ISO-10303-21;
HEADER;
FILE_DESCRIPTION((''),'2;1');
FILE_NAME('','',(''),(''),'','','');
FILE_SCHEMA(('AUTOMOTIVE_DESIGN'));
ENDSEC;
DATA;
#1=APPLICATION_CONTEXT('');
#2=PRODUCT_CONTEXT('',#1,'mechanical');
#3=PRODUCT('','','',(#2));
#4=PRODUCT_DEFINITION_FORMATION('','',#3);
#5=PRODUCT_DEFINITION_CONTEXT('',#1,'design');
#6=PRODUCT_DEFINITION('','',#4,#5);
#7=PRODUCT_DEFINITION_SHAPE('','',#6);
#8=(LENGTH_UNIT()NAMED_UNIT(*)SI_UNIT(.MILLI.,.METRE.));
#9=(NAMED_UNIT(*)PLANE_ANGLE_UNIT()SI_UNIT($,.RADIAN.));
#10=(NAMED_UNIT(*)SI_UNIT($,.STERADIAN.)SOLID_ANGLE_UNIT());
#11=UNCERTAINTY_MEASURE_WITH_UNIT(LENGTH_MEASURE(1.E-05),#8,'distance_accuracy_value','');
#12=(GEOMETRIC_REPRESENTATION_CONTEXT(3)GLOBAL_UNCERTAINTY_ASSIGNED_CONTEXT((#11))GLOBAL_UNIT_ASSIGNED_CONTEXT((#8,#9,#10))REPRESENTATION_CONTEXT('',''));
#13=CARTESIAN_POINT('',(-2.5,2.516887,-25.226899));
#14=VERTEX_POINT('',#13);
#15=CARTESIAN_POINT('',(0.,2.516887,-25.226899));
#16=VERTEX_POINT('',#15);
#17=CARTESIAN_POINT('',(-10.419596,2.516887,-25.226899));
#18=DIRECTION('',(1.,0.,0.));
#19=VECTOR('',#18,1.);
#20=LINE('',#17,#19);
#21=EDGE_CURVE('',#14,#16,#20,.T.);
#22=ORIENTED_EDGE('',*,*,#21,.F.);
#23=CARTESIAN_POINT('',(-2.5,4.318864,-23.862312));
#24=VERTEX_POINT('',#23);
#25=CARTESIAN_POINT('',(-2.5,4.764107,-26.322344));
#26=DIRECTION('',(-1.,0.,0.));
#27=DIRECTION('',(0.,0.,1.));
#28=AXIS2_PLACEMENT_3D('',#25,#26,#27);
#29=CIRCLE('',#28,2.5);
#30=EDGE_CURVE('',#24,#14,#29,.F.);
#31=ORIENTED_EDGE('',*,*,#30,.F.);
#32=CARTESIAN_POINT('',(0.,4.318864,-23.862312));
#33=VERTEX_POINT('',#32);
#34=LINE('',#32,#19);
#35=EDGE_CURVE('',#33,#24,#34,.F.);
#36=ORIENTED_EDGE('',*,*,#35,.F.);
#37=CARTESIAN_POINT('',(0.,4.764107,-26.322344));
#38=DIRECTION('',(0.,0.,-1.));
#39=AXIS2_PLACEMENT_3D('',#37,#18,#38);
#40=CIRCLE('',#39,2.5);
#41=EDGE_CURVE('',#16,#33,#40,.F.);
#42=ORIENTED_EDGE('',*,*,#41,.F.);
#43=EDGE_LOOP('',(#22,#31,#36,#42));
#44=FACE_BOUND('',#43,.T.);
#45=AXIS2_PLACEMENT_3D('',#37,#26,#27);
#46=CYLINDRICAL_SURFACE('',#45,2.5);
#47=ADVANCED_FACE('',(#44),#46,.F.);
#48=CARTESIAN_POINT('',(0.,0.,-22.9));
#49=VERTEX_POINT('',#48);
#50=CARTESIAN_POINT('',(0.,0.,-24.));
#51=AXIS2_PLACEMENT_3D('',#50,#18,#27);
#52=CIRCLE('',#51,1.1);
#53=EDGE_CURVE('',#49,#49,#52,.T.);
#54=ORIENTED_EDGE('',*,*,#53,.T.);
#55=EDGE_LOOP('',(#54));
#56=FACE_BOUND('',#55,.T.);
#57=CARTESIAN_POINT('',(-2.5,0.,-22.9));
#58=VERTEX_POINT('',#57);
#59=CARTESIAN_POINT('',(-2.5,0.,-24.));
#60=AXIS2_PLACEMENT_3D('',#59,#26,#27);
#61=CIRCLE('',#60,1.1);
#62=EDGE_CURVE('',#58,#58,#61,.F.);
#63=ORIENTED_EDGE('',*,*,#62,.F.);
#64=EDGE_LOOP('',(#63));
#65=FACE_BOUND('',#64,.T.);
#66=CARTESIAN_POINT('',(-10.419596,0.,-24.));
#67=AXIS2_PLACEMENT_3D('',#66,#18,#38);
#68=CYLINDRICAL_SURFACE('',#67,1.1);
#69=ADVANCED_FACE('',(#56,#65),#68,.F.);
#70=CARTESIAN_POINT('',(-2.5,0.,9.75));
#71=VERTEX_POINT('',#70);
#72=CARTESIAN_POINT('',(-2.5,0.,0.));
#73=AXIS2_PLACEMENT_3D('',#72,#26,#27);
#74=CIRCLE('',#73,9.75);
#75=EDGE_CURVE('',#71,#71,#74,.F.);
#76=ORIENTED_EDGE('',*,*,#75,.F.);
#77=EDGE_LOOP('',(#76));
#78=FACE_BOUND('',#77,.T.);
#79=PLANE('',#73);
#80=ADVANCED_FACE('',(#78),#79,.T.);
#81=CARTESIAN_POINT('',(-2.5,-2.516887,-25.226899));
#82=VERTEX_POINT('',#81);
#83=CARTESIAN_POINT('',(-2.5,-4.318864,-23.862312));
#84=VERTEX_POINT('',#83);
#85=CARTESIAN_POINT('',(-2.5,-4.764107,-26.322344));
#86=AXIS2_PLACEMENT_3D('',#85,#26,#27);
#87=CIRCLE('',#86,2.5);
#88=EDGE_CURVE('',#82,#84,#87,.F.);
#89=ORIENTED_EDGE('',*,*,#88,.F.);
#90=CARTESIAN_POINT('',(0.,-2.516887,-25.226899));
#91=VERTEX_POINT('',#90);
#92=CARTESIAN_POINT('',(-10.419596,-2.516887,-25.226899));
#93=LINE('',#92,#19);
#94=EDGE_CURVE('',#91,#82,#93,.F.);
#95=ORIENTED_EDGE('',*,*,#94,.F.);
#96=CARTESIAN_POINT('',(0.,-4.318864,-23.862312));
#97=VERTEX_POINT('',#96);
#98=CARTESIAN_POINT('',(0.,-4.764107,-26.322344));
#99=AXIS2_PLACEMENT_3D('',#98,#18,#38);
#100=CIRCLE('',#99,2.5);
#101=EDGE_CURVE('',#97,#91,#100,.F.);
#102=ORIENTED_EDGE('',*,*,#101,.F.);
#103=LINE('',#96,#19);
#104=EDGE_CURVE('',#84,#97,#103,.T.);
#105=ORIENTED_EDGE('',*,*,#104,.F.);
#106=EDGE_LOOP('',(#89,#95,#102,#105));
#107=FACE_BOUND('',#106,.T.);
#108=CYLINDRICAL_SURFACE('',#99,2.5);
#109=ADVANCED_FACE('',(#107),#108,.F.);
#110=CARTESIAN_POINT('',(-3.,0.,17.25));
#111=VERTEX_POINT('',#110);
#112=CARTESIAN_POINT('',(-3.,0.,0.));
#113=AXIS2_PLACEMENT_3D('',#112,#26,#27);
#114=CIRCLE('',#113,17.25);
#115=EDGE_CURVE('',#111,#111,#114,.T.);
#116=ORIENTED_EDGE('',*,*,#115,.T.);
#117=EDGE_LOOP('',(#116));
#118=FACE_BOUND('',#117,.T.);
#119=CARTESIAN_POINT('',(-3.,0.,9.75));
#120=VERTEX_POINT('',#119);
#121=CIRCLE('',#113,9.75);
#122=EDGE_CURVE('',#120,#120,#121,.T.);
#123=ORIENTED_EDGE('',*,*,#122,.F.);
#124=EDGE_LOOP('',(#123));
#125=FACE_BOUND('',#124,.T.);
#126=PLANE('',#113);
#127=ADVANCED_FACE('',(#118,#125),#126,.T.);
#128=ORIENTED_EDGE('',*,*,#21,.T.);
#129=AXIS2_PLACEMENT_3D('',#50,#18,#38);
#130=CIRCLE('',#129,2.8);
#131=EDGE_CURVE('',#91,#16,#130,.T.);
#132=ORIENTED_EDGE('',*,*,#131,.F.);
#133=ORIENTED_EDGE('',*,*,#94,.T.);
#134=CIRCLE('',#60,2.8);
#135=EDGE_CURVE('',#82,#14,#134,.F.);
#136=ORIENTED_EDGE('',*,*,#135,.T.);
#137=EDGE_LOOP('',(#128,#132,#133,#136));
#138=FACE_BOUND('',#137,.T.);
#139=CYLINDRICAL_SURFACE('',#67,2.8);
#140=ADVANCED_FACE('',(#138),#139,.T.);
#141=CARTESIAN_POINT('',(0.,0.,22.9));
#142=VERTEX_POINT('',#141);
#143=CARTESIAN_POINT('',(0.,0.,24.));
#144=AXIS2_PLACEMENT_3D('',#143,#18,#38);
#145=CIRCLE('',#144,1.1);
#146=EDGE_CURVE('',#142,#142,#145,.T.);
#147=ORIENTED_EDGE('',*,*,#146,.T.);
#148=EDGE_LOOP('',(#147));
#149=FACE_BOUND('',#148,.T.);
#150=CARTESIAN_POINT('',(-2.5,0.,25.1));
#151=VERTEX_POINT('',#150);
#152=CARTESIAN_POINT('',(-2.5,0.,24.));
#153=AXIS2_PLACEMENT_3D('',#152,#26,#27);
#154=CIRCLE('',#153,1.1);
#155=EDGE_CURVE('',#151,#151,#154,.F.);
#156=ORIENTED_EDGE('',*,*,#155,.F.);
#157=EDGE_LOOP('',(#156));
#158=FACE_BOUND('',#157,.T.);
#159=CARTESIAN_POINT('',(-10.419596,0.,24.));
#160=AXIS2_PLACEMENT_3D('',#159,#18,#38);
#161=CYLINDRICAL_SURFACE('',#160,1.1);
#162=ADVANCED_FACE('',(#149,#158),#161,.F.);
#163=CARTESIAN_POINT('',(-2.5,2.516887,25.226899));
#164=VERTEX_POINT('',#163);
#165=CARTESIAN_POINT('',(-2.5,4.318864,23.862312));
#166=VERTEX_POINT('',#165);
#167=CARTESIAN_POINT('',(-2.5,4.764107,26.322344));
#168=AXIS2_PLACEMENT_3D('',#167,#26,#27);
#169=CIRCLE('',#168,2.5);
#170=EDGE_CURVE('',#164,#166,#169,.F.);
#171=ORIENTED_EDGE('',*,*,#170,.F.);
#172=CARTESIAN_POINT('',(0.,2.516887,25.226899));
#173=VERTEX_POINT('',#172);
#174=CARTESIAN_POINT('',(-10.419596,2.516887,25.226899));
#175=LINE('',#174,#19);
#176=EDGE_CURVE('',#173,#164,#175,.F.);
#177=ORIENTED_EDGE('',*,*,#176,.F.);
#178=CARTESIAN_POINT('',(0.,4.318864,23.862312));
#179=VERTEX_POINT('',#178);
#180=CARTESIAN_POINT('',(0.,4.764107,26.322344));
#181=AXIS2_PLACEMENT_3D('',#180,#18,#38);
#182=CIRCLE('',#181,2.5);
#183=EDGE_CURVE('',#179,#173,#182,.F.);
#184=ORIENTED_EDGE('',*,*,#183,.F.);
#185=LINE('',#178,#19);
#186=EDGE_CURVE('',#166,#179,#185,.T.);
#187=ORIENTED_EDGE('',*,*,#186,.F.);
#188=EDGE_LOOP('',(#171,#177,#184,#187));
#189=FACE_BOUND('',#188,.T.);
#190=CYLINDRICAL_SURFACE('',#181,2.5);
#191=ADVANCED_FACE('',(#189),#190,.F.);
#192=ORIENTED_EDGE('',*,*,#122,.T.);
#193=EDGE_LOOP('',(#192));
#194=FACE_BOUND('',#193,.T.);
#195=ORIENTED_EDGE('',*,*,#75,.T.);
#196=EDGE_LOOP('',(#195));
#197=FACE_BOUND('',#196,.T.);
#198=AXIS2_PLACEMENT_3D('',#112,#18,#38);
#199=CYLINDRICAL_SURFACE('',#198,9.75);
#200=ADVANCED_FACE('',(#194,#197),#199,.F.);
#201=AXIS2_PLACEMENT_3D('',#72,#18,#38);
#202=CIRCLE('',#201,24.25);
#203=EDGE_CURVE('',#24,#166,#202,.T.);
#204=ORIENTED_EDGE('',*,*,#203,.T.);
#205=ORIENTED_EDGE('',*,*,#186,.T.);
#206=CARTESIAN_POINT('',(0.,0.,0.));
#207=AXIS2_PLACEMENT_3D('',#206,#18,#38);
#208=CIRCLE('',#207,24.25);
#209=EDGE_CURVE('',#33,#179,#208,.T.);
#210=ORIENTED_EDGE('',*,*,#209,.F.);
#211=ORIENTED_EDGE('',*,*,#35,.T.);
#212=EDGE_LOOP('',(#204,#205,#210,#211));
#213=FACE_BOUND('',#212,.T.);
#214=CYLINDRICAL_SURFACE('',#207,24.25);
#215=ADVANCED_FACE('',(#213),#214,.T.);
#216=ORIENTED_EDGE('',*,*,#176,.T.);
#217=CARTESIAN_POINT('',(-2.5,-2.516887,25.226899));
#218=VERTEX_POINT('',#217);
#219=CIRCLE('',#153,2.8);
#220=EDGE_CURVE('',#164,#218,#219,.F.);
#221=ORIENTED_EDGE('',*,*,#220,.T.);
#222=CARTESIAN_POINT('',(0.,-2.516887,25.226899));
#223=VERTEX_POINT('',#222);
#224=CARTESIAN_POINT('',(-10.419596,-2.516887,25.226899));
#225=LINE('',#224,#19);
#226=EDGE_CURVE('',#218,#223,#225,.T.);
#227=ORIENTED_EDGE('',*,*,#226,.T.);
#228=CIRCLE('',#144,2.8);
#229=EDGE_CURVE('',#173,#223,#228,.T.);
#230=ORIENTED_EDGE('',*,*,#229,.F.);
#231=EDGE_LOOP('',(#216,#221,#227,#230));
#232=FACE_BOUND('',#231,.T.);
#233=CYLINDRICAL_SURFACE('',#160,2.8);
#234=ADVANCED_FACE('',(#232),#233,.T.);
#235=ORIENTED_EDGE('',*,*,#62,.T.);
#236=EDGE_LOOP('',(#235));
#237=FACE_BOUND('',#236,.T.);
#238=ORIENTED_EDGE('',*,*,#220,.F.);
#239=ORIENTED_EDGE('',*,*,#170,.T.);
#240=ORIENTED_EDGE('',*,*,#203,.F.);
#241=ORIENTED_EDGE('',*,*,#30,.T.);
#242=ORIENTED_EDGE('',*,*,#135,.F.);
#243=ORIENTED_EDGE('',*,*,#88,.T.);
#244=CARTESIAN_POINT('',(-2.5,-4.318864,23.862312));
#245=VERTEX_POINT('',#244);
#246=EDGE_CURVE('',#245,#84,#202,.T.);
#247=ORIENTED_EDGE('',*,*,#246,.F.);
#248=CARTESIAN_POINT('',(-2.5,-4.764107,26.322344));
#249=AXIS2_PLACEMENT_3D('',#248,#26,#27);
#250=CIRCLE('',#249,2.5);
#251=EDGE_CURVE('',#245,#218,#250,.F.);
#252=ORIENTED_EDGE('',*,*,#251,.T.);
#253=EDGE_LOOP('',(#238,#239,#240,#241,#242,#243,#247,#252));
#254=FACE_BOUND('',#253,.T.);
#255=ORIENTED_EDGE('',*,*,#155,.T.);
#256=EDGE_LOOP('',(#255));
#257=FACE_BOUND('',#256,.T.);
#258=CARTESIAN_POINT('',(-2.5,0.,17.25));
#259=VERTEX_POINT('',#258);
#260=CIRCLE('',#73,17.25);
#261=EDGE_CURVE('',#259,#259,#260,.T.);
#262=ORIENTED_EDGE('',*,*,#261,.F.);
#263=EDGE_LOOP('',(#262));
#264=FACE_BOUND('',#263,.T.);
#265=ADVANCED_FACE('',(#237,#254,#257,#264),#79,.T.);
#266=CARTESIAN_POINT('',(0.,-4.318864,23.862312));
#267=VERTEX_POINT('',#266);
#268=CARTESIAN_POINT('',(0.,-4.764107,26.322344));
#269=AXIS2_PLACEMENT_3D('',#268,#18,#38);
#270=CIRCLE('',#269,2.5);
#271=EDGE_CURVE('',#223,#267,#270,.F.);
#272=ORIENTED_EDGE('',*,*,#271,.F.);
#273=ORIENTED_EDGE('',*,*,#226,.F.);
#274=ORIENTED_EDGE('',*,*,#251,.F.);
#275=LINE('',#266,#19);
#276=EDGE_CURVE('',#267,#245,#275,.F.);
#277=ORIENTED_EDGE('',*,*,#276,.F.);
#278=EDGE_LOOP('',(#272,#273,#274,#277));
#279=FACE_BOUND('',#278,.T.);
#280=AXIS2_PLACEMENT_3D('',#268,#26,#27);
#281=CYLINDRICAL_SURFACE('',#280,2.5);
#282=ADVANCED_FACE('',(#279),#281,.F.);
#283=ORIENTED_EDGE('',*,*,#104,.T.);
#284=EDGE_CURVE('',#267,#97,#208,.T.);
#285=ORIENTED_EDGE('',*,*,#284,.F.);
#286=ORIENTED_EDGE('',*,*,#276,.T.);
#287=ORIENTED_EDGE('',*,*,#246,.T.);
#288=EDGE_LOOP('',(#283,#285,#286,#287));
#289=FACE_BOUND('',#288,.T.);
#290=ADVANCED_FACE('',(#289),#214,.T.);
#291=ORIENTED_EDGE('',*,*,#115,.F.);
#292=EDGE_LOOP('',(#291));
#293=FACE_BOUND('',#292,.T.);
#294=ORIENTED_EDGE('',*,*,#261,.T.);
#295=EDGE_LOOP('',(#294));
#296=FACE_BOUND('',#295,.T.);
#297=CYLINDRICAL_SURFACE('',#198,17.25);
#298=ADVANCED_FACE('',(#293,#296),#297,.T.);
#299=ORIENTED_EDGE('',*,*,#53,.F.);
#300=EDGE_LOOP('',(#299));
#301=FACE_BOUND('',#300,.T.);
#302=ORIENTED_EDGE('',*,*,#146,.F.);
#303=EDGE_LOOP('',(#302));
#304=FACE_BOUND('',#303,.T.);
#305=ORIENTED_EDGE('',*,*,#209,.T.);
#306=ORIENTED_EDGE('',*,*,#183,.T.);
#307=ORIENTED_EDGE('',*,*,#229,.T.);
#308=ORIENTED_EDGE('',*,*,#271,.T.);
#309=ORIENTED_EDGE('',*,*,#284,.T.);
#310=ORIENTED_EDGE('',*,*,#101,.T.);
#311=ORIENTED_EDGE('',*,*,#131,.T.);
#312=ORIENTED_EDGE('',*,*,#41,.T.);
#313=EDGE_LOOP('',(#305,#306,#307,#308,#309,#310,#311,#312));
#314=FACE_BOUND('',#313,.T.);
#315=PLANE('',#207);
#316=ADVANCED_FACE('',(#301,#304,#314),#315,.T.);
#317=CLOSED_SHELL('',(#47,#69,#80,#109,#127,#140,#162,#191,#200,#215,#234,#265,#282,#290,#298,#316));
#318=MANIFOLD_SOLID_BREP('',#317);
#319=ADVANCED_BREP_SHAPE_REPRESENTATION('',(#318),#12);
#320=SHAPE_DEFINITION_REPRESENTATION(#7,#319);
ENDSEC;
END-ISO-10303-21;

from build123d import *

# Parameters (mm, degrees)
SKETCH2_R               = 2.8
SKETCH2_R_2             = 1.1
BOSS_EXTRUDE1_DEPTH     = 2.5
FILLET1_R               = 2.5
SKETCH4_R               = 17.25
SKETCH4_R_2             = 9.75
BOSS_EXTRUDE2_DEPTH     = 0.5
CUT_EXTRUDE1_DEPTH      = 37.267099556
CUT_EXTRUDE1_DEPTH_BACK = 37.267099556
SKETCH6_R               = 1.1


with BuildPart() as part:
    # Sketch1 → Revolve1 (revolve)
    with BuildSketch(Plane.XY, mode=Mode.PRIVATE) as revolve1_sk:
        Polygon((-2.5, 0), (0, 0), (0, 24.25), (-2.5, 24.25), (-2.5, 19), align=None)
    revolve(revolve1_sk.sketch.rotate(Axis((0, 0, 0), (-1, 0, 0)), 90), axis=Axis((0, 0, 0), (-1, 0, 0)))

    # Sketch2 → Boss-Extrude1 (add)
    # profile 1 of 2: a face of its own
    with BuildSketch(Plane(origin=(0, 0, 0), x_dir=(0, 0, -1), z_dir=(1, 0, 0))):
        with Locations((-24, 0)):
            Circle(SKETCH2_R)
        with Locations((-24, 0)):
            Circle(SKETCH2_R_2, mode=Mode.SUBTRACT)
    # profile 2 of 2: a face of its own
    with BuildSketch(Plane(origin=(0, 0, 0), x_dir=(0, 0, -1), z_dir=(1, 0, 0))):
        with Locations((24, 0)):
            Circle(SKETCH2_R)
        with Locations((24, 0)):
            Circle(SKETCH2_R_2, mode=Mode.SUBTRACT)
    extrude(amount=-BOSS_EXTRUDE1_DEPTH)

    # Fillet1
    fillet1_edges = [part.edges().sort_by_distance(p)[0] for p in [
        (-1.25, 2.798617784, 24.08796875),
        (-1.25, -2.798617784, 24.08796875),
        (-1.25, -2.798617784, -24.08796875),
        (-1.25, 2.798617784, -24.08796875),
    ]]
    fillet(fillet1_edges, radius=FILLET1_R)

    # Sketch4 → Boss-Extrude2 (add)
    with BuildSketch(Plane.ZY.offset(2.5)):
        Circle(SKETCH4_R)
        Circle(SKETCH4_R_2, mode=Mode.SUBTRACT)
    extrude(amount=BOSS_EXTRUDE2_DEPTH)

    # Sketch6 → Cut-Extrude1 (cut, two sides: drawn at the far end of the back side and taken through both)
    with BuildSketch(Plane(origin=(0, 0, 0), x_dir=(0, 0, -1), z_dir=(1, 0, 0)).offset(-CUT_EXTRUDE1_DEPTH_BACK)):
        with Locations((-24, 0)):
            Circle(SKETCH6_R)
        with Locations(Location((24, 0, 0), (0, 0, 180))):
            Circle(SKETCH6_R)
    extrude(amount=CUT_EXTRUDE1_DEPTH + CUT_EXTRUDE1_DEPTH_BACK, mode=Mode.SUBTRACT)


solid = part.part
